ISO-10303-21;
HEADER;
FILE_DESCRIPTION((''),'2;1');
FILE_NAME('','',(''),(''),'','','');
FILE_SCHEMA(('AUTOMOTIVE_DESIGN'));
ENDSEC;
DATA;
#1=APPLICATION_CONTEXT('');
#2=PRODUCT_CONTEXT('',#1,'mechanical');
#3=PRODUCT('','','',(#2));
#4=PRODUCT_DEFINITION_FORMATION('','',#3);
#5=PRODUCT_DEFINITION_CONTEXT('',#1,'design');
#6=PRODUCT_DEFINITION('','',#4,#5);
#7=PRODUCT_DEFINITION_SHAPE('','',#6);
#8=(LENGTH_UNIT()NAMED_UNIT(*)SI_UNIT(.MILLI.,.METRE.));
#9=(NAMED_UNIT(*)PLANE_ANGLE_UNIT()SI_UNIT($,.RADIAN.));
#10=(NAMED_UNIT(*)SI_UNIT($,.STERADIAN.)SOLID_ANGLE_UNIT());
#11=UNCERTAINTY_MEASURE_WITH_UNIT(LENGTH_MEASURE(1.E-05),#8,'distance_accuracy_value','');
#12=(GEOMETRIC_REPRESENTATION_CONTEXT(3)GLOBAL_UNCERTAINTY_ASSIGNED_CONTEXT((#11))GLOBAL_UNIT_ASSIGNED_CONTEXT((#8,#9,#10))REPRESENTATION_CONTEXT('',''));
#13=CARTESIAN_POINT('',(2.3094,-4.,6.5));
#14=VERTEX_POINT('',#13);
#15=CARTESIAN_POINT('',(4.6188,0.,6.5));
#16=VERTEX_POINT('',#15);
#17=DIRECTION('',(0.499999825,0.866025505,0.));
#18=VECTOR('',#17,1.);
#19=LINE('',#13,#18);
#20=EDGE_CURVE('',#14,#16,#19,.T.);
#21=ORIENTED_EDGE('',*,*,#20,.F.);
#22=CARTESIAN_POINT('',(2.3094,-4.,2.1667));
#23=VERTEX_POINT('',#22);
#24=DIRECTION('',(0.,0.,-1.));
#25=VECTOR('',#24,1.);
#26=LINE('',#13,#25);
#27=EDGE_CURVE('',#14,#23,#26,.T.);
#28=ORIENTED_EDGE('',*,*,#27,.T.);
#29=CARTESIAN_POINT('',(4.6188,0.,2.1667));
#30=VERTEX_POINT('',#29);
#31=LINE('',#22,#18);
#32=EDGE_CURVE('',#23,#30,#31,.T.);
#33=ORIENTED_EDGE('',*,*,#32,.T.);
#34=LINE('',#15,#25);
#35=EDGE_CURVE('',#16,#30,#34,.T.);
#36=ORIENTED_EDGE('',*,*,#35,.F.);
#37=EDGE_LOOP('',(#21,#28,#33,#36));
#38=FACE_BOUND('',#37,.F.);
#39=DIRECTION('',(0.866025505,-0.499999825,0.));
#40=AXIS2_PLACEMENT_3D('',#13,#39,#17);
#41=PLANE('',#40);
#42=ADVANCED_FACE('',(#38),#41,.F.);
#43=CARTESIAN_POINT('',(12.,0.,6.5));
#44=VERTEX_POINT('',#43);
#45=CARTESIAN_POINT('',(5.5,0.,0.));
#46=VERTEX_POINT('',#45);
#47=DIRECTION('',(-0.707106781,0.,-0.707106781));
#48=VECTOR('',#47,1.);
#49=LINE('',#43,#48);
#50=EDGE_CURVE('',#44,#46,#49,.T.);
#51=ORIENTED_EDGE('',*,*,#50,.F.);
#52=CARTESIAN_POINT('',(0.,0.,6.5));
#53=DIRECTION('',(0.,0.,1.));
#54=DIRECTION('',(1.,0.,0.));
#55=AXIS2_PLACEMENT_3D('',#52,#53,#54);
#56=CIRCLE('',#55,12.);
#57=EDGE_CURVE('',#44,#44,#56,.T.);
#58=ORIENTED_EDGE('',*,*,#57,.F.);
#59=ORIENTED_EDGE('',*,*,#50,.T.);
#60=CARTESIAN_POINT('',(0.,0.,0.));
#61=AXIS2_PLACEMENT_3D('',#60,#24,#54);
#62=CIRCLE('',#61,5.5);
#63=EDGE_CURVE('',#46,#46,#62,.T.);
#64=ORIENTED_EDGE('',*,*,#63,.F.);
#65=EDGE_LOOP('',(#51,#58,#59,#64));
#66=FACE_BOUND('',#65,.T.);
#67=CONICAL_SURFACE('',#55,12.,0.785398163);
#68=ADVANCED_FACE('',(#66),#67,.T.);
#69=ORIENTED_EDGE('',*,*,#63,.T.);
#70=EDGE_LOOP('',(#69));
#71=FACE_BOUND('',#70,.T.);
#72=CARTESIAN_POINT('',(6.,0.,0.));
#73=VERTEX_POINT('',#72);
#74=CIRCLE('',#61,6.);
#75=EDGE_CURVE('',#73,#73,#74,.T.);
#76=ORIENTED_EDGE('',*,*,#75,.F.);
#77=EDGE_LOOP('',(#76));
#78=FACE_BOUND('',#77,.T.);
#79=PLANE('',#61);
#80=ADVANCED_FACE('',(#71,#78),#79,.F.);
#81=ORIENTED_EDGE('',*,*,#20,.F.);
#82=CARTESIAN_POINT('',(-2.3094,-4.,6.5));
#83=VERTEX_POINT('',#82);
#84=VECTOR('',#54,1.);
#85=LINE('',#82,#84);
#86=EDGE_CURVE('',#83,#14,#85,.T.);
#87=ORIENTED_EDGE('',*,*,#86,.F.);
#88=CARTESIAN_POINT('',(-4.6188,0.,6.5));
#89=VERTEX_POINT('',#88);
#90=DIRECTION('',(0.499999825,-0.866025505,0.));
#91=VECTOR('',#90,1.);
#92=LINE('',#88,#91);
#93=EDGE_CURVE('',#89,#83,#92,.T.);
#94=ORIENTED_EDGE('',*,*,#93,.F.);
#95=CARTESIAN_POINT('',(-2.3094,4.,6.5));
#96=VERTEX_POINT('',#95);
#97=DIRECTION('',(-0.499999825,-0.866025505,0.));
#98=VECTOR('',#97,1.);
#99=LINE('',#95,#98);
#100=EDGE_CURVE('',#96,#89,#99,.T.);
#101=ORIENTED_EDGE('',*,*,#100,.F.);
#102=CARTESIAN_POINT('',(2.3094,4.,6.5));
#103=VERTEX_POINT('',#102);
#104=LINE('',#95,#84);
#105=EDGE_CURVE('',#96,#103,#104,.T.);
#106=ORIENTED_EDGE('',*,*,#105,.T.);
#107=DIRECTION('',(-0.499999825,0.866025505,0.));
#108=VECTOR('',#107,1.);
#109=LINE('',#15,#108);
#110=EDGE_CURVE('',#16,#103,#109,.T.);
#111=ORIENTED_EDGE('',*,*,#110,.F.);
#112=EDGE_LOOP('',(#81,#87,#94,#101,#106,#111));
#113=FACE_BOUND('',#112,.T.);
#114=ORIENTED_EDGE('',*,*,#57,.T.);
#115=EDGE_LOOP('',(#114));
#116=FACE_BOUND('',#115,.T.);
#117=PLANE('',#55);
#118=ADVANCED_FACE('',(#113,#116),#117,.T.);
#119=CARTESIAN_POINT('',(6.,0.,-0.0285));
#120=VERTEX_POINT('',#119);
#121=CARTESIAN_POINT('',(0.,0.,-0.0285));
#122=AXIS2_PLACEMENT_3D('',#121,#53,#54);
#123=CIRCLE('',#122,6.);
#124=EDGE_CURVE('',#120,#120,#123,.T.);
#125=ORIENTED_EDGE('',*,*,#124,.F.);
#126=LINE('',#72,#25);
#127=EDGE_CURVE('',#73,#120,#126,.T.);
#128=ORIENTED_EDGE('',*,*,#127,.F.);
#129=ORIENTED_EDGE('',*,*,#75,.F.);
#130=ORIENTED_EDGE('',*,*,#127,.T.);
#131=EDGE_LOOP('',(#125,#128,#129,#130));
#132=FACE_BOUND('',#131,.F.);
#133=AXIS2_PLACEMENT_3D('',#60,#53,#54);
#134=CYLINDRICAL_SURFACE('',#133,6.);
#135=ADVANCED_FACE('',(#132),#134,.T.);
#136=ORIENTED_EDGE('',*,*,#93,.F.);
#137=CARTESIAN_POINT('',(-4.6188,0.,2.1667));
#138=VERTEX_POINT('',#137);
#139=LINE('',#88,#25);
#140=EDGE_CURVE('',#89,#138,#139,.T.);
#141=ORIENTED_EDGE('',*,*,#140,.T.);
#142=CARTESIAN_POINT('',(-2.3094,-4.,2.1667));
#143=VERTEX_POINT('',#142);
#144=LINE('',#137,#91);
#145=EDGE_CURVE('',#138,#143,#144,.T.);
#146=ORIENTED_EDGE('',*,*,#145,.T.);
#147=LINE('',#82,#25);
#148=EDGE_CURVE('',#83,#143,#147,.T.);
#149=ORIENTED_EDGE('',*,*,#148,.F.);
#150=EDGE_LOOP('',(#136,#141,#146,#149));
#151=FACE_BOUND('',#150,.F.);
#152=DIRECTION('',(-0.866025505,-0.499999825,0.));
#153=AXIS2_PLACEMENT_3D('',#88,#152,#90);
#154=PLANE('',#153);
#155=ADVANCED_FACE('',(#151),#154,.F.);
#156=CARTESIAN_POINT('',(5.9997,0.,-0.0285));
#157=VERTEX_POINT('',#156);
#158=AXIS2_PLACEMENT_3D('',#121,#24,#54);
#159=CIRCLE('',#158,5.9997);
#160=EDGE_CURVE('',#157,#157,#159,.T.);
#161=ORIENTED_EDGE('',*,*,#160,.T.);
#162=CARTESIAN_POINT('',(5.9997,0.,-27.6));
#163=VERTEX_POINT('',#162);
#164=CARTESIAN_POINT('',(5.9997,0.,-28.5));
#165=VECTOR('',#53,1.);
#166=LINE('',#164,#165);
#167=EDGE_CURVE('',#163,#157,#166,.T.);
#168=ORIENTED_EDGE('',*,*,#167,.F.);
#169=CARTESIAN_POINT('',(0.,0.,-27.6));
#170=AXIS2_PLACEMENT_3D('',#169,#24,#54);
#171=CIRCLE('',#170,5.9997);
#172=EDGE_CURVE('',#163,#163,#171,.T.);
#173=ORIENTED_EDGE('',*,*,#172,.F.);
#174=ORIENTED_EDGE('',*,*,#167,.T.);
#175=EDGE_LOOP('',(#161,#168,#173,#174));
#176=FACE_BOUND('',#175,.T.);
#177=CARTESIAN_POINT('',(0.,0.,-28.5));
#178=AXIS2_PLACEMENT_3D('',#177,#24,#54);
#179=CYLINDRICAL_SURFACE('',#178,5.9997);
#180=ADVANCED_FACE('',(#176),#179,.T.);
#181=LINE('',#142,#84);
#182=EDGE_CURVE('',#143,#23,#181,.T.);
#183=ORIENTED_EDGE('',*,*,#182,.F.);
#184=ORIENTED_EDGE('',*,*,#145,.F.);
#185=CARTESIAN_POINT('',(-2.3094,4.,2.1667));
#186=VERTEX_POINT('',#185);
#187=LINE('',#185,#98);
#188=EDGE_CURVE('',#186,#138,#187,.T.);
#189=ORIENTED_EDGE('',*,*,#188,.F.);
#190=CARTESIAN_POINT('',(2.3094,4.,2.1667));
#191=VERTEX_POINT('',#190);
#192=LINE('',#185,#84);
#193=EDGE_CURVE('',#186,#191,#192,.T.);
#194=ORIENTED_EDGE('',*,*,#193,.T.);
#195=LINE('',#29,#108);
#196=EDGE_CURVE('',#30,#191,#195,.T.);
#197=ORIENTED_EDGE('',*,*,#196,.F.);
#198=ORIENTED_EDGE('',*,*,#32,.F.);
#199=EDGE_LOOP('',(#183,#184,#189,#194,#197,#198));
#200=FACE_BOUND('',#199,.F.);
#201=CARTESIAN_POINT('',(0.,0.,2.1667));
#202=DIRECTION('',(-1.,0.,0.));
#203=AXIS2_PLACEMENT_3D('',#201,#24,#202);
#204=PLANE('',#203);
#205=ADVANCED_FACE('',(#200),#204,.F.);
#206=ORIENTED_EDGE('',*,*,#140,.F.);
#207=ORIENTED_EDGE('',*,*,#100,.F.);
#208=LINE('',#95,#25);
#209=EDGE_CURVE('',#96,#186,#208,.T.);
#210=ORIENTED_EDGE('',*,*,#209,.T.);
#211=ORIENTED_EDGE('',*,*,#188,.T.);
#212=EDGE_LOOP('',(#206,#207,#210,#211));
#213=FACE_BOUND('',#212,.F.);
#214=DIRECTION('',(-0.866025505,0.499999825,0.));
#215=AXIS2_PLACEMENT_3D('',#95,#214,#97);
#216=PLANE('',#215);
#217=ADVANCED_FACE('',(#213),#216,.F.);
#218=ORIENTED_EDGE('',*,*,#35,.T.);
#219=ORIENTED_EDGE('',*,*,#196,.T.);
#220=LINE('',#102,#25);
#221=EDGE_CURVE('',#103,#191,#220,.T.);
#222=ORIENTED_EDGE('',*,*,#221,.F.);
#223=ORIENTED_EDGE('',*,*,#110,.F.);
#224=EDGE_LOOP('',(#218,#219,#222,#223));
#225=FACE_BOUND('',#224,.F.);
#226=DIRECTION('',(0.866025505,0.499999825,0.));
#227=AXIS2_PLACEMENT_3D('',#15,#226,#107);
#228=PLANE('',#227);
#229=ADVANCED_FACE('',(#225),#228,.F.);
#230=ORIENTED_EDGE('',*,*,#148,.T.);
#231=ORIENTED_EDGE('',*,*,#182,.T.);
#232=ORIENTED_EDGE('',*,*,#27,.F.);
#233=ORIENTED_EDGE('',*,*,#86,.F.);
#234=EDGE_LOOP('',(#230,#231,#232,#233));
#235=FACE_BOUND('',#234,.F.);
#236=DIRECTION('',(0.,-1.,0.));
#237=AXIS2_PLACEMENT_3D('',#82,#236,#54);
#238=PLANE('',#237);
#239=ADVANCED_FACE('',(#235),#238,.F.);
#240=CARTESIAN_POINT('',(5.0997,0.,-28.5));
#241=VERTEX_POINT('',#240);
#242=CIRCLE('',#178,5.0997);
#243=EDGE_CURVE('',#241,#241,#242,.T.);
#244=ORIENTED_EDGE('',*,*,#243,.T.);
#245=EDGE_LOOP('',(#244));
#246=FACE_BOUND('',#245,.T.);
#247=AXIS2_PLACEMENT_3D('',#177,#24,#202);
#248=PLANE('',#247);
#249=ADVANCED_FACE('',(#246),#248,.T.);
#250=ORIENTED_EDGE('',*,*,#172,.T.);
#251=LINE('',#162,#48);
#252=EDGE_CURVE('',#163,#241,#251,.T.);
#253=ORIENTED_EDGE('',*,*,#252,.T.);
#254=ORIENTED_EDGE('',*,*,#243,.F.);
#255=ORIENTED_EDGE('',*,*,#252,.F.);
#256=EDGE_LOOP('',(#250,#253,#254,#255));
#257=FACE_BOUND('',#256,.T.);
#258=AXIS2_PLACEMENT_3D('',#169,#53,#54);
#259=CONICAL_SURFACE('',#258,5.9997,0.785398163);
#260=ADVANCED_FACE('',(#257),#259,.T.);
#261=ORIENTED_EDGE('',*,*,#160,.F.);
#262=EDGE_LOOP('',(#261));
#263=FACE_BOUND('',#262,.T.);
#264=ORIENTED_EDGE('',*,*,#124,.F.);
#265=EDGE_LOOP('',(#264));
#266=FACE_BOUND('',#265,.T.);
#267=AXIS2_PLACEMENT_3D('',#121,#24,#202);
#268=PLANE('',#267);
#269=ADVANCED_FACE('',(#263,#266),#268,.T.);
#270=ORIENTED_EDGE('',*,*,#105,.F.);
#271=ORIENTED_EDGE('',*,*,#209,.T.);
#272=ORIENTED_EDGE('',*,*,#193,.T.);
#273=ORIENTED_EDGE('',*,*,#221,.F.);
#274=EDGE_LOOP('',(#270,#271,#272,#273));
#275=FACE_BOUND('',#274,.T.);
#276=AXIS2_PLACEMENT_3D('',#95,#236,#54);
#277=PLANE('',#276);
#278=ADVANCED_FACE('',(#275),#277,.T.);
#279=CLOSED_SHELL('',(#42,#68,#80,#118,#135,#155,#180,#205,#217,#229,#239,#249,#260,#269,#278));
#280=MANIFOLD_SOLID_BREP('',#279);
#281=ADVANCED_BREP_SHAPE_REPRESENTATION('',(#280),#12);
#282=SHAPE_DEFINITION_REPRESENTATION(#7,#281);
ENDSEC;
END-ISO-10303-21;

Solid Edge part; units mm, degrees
sketch "Sketch1" plane through (0, 0, 0) normal (0, 0, 1) x (1, 0, 0)
  circle A0 centre (0, 0) radius 12
  dimension "D1" = 24
extrude "Protrusion1" add sketch "Sketch1" along normal blind 6.5
sketch "Sketch2" plane through (0, 0, 0) normal (0, 0, -1) x (1, 0, 0)
  circle A0 centre (0, 0) radius 6
extrude "Protrusion2" add sketch "Sketch2" along normal blind 28.5
sketch "Sketch3" plane through (0, 0, -28.5) normal (0, 0, -1) x (1, 0, 0)
  circle A0 centre (0, 0) radius 5.9997
extrude "Cutout1" cut sketch "Sketch3" against normal blind 28.4715 flip side to cut
chamfer "Chamfer_1" distance 0.9 angle 45 1 edges at (-5.9997, 0, -28.5)
sketch "Sketch4" plane through (0, 0, 6.5) normal (0, 0, 1) x (1, 0, 0)
  line L0 (-2.3094, 4) -> (2.3094, 4)
  line L1 (4.6188, 0) -> (2.3094, 4)
  line L2 (2.3094, -4) -> (4.6188, 0)
  line L3 (-2.3094, -4) -> (2.3094, -4)
  line L4 (-4.6188, 0) -> (-2.3094, -4)
  line L5 (-2.3094, 4) -> (-4.6188, 0)
  dimension "D1" = 8
extrude "Cutout2" cut sketch "Sketch4" against normal blind 4.3333
sketch "Sketch5" plane through (0, 0, 0) normal (0, -1, 0) x (1, 0, 0)
  line L0 (12, 6.5) -> (5.5, 0)
  line L1 (5.5, 0) -> (12, 0)
  line L2 (12, 0) -> (12, 6.5)
revolve "RevolvedCutout1" cut sketch "Sketch5" angle 360 about axis through (0, 0, 14.0017) along (0, 0, -1)
properties part number "24104732"
